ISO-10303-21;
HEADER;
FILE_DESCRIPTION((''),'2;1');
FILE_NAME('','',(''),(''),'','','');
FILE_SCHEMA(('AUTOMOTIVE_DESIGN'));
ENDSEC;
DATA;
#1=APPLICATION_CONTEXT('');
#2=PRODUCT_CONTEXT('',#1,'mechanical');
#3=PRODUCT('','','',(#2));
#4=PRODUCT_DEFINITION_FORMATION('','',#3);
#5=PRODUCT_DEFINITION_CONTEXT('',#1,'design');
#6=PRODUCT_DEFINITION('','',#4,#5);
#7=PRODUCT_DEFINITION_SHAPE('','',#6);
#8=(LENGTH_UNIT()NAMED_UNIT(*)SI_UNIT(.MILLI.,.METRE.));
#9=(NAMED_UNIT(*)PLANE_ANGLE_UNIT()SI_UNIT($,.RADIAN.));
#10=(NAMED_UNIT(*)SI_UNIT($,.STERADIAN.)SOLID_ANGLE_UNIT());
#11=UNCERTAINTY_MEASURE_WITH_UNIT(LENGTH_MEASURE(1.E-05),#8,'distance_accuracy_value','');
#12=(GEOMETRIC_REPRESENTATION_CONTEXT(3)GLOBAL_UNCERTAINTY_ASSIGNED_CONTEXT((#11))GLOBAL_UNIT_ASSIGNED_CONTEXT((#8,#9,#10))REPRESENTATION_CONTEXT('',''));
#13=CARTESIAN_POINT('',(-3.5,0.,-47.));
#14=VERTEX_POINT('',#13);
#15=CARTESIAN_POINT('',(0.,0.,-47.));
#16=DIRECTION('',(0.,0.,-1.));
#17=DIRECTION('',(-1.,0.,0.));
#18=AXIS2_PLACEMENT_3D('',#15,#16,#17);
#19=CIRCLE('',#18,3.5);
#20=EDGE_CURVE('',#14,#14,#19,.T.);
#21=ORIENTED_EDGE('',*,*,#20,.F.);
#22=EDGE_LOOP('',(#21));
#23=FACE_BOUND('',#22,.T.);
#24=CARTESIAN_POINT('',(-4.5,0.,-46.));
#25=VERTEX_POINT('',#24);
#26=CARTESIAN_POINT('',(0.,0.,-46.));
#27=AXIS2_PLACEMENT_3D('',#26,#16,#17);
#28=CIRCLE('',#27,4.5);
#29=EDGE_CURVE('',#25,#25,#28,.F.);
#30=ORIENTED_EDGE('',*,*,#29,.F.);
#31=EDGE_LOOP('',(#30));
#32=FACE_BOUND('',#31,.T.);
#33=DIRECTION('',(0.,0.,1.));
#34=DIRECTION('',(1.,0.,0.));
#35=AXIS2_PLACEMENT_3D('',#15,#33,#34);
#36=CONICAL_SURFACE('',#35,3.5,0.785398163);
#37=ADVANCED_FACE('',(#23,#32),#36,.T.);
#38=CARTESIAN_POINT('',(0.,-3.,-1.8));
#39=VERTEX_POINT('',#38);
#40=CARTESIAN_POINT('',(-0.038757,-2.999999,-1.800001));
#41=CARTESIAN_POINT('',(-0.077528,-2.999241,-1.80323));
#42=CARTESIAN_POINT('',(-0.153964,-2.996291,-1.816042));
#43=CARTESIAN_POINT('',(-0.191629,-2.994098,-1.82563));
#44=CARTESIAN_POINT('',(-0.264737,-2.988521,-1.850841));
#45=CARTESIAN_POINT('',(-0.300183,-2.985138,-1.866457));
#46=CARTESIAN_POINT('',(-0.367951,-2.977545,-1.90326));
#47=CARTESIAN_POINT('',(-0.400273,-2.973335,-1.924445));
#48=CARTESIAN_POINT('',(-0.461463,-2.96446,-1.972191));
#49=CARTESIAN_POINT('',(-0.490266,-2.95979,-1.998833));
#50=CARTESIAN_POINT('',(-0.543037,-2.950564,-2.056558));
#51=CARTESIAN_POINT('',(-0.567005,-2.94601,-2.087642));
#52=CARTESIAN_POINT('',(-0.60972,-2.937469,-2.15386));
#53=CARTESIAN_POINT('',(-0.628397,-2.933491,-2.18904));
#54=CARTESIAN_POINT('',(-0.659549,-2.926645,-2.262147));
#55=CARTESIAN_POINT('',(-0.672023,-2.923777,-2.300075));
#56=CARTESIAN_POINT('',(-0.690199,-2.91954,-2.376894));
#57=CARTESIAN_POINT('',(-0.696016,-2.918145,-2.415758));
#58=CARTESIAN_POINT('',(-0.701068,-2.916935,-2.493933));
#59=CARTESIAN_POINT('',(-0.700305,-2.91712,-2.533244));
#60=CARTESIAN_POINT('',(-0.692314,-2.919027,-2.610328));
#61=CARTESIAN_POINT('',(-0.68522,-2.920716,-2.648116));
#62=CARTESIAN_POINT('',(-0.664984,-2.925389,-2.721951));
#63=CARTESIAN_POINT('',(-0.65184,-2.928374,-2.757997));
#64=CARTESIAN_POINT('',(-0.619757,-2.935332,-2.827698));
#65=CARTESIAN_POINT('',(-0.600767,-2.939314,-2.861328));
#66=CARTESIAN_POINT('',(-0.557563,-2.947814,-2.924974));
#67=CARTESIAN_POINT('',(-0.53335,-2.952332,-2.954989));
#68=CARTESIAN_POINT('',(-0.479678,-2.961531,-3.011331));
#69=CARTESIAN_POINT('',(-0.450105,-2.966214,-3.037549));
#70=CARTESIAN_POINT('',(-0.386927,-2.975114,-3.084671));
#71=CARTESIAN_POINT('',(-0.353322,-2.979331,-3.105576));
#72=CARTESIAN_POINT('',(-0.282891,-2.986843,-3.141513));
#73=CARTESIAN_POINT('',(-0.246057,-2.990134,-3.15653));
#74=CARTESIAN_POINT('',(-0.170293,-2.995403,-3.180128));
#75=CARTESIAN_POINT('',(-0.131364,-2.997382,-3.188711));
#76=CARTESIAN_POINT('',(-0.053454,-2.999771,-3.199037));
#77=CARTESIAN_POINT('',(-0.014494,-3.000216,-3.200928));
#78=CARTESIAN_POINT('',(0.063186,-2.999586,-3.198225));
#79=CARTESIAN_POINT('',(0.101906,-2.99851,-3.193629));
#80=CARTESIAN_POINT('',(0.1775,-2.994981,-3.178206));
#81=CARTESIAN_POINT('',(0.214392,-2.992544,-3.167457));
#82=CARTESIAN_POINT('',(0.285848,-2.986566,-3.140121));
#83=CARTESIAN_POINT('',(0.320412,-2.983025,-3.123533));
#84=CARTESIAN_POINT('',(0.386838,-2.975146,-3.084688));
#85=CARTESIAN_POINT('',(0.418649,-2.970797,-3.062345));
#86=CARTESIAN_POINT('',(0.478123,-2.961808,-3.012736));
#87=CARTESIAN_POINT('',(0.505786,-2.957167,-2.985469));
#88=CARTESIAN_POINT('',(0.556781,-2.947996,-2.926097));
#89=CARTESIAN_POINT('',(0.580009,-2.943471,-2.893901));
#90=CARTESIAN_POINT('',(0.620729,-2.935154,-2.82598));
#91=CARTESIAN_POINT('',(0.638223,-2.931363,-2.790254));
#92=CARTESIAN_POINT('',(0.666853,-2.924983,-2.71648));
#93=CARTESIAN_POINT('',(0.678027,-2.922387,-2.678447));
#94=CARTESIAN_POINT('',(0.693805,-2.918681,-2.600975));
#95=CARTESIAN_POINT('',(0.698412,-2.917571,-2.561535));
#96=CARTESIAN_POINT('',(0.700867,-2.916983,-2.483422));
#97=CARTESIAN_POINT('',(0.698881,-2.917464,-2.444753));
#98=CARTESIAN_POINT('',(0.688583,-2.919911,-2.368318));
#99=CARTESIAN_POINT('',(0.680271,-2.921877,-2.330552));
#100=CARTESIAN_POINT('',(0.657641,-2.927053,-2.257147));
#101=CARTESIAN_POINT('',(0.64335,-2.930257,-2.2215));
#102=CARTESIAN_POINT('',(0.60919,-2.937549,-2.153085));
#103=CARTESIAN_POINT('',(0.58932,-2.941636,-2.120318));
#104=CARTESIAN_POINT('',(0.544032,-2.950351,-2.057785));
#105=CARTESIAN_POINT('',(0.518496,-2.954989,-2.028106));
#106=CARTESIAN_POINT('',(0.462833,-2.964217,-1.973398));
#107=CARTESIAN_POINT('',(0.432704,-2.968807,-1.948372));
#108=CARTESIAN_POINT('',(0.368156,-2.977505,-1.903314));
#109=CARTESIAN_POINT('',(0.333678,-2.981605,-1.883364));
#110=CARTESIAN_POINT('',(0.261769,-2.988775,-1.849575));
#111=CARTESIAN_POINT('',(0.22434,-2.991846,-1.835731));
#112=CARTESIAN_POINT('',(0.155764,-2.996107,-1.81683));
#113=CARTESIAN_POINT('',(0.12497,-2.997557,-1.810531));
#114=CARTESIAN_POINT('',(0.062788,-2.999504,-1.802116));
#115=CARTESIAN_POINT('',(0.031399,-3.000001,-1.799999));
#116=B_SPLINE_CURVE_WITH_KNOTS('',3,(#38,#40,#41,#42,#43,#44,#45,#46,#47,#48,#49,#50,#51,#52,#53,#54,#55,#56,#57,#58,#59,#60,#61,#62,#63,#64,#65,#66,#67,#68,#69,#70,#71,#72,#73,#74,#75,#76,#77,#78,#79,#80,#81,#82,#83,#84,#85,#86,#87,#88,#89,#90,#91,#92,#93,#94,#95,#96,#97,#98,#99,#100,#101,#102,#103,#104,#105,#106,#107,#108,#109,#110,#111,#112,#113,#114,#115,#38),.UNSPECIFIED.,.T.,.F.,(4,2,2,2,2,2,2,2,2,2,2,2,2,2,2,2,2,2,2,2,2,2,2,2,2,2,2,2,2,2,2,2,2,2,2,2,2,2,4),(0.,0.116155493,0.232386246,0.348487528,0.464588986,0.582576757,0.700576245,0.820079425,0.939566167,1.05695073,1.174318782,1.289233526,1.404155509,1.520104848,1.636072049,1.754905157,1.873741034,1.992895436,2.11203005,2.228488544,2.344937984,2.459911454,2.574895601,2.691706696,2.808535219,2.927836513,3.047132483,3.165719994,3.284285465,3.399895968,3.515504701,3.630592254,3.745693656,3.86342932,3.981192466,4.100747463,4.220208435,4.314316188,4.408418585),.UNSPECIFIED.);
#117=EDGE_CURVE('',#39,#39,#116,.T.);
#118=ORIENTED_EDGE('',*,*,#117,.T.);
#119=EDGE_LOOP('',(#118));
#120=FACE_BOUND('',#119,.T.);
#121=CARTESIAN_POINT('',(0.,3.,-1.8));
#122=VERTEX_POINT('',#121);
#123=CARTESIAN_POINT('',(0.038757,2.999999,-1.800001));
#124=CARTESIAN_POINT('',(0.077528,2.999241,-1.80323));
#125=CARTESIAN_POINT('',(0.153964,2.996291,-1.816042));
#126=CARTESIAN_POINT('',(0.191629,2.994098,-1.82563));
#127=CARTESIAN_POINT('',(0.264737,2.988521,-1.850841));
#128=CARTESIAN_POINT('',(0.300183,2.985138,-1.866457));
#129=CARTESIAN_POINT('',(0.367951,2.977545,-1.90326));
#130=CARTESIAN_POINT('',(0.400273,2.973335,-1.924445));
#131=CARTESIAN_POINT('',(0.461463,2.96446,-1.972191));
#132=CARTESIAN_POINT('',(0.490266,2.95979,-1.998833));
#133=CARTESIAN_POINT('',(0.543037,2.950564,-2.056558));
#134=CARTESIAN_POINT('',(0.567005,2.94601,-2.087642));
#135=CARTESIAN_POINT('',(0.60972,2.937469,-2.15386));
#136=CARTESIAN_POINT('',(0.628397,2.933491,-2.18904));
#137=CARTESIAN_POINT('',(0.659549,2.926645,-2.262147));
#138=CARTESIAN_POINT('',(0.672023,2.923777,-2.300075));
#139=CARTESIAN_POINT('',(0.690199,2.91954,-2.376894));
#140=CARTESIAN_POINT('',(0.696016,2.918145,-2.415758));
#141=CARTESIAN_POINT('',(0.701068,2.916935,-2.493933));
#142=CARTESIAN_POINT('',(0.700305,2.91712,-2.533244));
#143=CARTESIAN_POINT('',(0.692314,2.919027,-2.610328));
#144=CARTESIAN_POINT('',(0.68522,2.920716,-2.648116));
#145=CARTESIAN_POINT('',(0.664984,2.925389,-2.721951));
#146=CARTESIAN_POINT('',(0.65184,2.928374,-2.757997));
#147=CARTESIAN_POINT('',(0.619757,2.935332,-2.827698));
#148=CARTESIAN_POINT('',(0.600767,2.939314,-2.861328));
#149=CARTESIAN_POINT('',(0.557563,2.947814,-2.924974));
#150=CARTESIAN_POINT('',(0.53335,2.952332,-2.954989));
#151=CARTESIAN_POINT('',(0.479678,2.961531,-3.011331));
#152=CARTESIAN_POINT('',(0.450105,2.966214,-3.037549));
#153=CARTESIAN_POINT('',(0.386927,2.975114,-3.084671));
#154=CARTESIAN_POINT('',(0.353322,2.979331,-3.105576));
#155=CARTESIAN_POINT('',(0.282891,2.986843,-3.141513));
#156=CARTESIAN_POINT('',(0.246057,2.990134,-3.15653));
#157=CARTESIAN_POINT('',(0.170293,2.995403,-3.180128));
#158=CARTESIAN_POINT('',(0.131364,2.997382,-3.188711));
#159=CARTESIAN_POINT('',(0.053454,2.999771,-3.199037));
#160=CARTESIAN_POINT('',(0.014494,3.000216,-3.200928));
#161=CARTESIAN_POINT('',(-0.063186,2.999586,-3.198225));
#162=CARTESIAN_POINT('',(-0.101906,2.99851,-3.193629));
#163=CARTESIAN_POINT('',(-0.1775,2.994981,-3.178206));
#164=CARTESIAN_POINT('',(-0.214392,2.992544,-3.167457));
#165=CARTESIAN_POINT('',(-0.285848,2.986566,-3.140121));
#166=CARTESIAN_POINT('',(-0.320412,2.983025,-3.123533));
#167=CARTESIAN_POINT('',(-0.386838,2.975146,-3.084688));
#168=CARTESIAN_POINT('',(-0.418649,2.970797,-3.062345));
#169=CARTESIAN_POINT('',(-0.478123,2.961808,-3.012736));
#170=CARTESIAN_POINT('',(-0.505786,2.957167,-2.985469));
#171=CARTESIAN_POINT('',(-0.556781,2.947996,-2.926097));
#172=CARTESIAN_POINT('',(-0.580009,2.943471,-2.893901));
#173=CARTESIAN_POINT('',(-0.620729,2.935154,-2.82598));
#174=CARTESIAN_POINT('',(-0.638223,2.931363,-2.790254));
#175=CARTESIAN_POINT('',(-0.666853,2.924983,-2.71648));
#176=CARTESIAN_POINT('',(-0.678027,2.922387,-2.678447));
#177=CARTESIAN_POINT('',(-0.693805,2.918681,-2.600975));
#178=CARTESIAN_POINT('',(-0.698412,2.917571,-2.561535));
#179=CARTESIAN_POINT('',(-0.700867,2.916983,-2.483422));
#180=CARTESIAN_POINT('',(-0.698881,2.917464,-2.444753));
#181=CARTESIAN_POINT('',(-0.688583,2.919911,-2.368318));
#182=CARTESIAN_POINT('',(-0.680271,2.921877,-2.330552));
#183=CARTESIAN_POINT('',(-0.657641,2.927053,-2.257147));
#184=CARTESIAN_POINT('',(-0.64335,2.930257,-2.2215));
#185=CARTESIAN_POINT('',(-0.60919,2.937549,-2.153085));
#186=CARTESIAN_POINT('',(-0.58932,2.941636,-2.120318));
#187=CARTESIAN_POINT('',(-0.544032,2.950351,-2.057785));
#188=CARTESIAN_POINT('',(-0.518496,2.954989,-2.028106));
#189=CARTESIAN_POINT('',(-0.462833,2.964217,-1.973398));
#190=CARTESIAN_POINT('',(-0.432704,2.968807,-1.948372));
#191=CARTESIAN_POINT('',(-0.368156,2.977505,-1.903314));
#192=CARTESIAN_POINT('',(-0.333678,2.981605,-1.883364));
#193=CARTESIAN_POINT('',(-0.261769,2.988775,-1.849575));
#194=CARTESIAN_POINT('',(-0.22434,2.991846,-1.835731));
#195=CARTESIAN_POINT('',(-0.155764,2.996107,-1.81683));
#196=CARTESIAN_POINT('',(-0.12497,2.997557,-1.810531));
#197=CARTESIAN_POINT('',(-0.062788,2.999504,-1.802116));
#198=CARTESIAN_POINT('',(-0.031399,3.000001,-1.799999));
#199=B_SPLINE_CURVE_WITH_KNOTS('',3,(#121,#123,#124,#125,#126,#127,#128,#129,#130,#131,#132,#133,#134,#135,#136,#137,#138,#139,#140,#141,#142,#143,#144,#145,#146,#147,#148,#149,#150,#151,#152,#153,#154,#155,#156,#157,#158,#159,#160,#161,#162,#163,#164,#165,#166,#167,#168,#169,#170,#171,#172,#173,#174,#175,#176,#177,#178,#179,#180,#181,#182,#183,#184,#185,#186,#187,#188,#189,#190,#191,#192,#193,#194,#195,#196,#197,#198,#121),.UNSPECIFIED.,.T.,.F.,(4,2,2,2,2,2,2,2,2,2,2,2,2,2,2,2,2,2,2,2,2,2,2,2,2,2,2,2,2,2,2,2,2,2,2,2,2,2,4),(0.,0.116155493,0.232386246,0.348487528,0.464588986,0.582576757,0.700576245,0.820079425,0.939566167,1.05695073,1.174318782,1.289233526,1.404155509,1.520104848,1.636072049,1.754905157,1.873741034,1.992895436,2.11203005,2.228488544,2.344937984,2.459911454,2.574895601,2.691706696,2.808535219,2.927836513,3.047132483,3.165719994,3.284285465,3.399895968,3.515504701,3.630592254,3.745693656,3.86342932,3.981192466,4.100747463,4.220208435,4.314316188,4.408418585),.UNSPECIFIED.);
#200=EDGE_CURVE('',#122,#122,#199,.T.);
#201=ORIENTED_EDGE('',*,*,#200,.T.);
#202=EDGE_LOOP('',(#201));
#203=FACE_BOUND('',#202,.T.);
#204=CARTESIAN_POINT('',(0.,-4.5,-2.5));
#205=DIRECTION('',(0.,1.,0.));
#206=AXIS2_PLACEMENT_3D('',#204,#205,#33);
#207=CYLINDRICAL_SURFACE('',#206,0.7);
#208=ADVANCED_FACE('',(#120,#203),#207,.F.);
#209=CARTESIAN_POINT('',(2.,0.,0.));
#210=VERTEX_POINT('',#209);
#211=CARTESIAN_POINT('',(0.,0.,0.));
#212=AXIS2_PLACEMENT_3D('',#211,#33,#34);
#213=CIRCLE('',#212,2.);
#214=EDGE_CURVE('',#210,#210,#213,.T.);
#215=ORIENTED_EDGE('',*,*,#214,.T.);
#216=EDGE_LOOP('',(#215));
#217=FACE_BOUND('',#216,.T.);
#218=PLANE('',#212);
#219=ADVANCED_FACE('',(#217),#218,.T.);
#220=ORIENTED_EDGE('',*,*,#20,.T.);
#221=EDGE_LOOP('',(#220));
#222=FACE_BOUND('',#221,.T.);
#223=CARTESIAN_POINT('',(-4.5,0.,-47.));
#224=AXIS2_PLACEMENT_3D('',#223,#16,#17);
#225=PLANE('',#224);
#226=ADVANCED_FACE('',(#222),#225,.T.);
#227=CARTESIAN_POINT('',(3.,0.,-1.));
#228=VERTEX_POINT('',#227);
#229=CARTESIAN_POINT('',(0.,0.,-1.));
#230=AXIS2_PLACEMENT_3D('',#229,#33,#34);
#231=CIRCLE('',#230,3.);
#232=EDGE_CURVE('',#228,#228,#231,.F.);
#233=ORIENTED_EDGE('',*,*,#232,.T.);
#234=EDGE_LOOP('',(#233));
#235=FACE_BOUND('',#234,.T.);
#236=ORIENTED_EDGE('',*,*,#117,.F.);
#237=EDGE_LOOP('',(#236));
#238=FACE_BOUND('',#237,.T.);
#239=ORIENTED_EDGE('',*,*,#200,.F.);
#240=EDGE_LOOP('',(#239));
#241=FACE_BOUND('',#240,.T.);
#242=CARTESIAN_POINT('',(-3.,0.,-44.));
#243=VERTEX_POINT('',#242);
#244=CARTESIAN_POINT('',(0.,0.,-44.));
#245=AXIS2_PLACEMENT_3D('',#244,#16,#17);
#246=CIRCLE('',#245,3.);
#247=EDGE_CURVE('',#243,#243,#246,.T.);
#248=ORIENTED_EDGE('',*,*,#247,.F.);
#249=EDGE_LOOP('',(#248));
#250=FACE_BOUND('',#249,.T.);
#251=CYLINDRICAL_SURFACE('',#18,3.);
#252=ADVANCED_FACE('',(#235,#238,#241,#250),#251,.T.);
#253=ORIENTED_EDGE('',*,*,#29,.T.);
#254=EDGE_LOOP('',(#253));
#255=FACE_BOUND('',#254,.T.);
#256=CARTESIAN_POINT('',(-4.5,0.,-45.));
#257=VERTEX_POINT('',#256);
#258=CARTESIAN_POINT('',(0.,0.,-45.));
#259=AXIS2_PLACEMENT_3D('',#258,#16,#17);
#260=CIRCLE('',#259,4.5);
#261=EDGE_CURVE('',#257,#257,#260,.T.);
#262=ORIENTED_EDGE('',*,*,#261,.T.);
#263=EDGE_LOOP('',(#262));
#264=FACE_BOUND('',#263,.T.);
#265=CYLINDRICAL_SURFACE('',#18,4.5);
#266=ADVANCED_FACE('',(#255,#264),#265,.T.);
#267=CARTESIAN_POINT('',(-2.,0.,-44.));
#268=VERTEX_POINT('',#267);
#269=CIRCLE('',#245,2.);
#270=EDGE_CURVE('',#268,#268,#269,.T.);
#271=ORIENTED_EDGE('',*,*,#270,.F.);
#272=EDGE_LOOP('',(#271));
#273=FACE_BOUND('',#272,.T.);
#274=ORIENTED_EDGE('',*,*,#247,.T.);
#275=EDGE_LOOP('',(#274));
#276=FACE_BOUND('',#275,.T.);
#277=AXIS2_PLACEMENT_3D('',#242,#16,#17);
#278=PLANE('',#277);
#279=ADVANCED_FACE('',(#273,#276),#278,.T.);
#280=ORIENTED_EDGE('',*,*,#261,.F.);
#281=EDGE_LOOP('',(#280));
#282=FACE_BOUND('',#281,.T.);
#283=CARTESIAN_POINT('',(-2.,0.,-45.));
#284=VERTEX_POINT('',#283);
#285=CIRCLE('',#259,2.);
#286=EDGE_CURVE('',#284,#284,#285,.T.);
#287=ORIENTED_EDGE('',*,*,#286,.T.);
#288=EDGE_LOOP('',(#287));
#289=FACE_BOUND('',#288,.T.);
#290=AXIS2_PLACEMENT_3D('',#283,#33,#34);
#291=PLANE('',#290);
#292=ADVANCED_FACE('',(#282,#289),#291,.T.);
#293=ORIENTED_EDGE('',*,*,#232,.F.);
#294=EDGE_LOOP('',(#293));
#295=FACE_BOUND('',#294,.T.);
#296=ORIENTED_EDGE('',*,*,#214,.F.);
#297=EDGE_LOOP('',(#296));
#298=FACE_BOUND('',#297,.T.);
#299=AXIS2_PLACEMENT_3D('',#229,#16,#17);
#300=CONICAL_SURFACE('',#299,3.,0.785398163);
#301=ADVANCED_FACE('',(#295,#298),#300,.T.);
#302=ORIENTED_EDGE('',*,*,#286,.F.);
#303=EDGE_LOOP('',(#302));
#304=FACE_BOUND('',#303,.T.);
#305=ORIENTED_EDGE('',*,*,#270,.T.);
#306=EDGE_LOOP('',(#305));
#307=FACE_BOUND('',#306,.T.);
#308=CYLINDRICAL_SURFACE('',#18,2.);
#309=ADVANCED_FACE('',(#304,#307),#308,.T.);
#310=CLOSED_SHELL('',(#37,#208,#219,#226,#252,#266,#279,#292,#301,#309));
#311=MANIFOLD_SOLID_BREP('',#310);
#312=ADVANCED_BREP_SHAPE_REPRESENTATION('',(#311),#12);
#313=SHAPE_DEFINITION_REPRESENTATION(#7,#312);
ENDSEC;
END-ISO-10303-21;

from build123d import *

# Parameters (mm, degrees)
SKETCH_2_R               = 0.7
CUT_EXTRUDE_1_DEPTH      = 5.5
CUT_EXTRUDE_1_DEPTH_BACK = 5.5
CHAMFER_1_SIZE           = 1


with BuildPart() as part:
    # 草图1 → 旋转1 (revolve)
    with BuildSketch(Plane(origin=(0, 0, 0), x_dir=(1, 0, 0), z_dir=(0, 1, 0))):
        Polygon((0, 0), (-3, 0), (-3, 44), (-2, 44), (-2, 45), (-4.5, 45), (-4.5, 47), (0, 47), align=None)
    revolve(axis=Axis((0, 0, -47), (0, 0, 1)))

    # 草图2 → 切除-拉伸1 (cut, two sides)
    with BuildSketch(Plane(origin=(0, 0, 0), x_dir=(1, 0, 0), z_dir=(0, 1, 0))) as cut_extrude_1_sk:
        with Locations((0, 2.5)):
            Circle(SKETCH_2_R)
    extrude(amount=CUT_EXTRUDE_1_DEPTH, mode=Mode.SUBTRACT)
    extrude(cut_extrude_1_sk.sketch, amount=-CUT_EXTRUDE_1_DEPTH_BACK, mode=Mode.SUBTRACT)

    # 倒角1
    chamfer_1_edges = [part.edges().sort_by_distance(p)[0] for p in [
        (4.5, 0, -47),
        (3, 0, 0),
    ]]
    chamfer(chamfer_1_edges, length=CHAMFER_1_SIZE)


solid = part.part
